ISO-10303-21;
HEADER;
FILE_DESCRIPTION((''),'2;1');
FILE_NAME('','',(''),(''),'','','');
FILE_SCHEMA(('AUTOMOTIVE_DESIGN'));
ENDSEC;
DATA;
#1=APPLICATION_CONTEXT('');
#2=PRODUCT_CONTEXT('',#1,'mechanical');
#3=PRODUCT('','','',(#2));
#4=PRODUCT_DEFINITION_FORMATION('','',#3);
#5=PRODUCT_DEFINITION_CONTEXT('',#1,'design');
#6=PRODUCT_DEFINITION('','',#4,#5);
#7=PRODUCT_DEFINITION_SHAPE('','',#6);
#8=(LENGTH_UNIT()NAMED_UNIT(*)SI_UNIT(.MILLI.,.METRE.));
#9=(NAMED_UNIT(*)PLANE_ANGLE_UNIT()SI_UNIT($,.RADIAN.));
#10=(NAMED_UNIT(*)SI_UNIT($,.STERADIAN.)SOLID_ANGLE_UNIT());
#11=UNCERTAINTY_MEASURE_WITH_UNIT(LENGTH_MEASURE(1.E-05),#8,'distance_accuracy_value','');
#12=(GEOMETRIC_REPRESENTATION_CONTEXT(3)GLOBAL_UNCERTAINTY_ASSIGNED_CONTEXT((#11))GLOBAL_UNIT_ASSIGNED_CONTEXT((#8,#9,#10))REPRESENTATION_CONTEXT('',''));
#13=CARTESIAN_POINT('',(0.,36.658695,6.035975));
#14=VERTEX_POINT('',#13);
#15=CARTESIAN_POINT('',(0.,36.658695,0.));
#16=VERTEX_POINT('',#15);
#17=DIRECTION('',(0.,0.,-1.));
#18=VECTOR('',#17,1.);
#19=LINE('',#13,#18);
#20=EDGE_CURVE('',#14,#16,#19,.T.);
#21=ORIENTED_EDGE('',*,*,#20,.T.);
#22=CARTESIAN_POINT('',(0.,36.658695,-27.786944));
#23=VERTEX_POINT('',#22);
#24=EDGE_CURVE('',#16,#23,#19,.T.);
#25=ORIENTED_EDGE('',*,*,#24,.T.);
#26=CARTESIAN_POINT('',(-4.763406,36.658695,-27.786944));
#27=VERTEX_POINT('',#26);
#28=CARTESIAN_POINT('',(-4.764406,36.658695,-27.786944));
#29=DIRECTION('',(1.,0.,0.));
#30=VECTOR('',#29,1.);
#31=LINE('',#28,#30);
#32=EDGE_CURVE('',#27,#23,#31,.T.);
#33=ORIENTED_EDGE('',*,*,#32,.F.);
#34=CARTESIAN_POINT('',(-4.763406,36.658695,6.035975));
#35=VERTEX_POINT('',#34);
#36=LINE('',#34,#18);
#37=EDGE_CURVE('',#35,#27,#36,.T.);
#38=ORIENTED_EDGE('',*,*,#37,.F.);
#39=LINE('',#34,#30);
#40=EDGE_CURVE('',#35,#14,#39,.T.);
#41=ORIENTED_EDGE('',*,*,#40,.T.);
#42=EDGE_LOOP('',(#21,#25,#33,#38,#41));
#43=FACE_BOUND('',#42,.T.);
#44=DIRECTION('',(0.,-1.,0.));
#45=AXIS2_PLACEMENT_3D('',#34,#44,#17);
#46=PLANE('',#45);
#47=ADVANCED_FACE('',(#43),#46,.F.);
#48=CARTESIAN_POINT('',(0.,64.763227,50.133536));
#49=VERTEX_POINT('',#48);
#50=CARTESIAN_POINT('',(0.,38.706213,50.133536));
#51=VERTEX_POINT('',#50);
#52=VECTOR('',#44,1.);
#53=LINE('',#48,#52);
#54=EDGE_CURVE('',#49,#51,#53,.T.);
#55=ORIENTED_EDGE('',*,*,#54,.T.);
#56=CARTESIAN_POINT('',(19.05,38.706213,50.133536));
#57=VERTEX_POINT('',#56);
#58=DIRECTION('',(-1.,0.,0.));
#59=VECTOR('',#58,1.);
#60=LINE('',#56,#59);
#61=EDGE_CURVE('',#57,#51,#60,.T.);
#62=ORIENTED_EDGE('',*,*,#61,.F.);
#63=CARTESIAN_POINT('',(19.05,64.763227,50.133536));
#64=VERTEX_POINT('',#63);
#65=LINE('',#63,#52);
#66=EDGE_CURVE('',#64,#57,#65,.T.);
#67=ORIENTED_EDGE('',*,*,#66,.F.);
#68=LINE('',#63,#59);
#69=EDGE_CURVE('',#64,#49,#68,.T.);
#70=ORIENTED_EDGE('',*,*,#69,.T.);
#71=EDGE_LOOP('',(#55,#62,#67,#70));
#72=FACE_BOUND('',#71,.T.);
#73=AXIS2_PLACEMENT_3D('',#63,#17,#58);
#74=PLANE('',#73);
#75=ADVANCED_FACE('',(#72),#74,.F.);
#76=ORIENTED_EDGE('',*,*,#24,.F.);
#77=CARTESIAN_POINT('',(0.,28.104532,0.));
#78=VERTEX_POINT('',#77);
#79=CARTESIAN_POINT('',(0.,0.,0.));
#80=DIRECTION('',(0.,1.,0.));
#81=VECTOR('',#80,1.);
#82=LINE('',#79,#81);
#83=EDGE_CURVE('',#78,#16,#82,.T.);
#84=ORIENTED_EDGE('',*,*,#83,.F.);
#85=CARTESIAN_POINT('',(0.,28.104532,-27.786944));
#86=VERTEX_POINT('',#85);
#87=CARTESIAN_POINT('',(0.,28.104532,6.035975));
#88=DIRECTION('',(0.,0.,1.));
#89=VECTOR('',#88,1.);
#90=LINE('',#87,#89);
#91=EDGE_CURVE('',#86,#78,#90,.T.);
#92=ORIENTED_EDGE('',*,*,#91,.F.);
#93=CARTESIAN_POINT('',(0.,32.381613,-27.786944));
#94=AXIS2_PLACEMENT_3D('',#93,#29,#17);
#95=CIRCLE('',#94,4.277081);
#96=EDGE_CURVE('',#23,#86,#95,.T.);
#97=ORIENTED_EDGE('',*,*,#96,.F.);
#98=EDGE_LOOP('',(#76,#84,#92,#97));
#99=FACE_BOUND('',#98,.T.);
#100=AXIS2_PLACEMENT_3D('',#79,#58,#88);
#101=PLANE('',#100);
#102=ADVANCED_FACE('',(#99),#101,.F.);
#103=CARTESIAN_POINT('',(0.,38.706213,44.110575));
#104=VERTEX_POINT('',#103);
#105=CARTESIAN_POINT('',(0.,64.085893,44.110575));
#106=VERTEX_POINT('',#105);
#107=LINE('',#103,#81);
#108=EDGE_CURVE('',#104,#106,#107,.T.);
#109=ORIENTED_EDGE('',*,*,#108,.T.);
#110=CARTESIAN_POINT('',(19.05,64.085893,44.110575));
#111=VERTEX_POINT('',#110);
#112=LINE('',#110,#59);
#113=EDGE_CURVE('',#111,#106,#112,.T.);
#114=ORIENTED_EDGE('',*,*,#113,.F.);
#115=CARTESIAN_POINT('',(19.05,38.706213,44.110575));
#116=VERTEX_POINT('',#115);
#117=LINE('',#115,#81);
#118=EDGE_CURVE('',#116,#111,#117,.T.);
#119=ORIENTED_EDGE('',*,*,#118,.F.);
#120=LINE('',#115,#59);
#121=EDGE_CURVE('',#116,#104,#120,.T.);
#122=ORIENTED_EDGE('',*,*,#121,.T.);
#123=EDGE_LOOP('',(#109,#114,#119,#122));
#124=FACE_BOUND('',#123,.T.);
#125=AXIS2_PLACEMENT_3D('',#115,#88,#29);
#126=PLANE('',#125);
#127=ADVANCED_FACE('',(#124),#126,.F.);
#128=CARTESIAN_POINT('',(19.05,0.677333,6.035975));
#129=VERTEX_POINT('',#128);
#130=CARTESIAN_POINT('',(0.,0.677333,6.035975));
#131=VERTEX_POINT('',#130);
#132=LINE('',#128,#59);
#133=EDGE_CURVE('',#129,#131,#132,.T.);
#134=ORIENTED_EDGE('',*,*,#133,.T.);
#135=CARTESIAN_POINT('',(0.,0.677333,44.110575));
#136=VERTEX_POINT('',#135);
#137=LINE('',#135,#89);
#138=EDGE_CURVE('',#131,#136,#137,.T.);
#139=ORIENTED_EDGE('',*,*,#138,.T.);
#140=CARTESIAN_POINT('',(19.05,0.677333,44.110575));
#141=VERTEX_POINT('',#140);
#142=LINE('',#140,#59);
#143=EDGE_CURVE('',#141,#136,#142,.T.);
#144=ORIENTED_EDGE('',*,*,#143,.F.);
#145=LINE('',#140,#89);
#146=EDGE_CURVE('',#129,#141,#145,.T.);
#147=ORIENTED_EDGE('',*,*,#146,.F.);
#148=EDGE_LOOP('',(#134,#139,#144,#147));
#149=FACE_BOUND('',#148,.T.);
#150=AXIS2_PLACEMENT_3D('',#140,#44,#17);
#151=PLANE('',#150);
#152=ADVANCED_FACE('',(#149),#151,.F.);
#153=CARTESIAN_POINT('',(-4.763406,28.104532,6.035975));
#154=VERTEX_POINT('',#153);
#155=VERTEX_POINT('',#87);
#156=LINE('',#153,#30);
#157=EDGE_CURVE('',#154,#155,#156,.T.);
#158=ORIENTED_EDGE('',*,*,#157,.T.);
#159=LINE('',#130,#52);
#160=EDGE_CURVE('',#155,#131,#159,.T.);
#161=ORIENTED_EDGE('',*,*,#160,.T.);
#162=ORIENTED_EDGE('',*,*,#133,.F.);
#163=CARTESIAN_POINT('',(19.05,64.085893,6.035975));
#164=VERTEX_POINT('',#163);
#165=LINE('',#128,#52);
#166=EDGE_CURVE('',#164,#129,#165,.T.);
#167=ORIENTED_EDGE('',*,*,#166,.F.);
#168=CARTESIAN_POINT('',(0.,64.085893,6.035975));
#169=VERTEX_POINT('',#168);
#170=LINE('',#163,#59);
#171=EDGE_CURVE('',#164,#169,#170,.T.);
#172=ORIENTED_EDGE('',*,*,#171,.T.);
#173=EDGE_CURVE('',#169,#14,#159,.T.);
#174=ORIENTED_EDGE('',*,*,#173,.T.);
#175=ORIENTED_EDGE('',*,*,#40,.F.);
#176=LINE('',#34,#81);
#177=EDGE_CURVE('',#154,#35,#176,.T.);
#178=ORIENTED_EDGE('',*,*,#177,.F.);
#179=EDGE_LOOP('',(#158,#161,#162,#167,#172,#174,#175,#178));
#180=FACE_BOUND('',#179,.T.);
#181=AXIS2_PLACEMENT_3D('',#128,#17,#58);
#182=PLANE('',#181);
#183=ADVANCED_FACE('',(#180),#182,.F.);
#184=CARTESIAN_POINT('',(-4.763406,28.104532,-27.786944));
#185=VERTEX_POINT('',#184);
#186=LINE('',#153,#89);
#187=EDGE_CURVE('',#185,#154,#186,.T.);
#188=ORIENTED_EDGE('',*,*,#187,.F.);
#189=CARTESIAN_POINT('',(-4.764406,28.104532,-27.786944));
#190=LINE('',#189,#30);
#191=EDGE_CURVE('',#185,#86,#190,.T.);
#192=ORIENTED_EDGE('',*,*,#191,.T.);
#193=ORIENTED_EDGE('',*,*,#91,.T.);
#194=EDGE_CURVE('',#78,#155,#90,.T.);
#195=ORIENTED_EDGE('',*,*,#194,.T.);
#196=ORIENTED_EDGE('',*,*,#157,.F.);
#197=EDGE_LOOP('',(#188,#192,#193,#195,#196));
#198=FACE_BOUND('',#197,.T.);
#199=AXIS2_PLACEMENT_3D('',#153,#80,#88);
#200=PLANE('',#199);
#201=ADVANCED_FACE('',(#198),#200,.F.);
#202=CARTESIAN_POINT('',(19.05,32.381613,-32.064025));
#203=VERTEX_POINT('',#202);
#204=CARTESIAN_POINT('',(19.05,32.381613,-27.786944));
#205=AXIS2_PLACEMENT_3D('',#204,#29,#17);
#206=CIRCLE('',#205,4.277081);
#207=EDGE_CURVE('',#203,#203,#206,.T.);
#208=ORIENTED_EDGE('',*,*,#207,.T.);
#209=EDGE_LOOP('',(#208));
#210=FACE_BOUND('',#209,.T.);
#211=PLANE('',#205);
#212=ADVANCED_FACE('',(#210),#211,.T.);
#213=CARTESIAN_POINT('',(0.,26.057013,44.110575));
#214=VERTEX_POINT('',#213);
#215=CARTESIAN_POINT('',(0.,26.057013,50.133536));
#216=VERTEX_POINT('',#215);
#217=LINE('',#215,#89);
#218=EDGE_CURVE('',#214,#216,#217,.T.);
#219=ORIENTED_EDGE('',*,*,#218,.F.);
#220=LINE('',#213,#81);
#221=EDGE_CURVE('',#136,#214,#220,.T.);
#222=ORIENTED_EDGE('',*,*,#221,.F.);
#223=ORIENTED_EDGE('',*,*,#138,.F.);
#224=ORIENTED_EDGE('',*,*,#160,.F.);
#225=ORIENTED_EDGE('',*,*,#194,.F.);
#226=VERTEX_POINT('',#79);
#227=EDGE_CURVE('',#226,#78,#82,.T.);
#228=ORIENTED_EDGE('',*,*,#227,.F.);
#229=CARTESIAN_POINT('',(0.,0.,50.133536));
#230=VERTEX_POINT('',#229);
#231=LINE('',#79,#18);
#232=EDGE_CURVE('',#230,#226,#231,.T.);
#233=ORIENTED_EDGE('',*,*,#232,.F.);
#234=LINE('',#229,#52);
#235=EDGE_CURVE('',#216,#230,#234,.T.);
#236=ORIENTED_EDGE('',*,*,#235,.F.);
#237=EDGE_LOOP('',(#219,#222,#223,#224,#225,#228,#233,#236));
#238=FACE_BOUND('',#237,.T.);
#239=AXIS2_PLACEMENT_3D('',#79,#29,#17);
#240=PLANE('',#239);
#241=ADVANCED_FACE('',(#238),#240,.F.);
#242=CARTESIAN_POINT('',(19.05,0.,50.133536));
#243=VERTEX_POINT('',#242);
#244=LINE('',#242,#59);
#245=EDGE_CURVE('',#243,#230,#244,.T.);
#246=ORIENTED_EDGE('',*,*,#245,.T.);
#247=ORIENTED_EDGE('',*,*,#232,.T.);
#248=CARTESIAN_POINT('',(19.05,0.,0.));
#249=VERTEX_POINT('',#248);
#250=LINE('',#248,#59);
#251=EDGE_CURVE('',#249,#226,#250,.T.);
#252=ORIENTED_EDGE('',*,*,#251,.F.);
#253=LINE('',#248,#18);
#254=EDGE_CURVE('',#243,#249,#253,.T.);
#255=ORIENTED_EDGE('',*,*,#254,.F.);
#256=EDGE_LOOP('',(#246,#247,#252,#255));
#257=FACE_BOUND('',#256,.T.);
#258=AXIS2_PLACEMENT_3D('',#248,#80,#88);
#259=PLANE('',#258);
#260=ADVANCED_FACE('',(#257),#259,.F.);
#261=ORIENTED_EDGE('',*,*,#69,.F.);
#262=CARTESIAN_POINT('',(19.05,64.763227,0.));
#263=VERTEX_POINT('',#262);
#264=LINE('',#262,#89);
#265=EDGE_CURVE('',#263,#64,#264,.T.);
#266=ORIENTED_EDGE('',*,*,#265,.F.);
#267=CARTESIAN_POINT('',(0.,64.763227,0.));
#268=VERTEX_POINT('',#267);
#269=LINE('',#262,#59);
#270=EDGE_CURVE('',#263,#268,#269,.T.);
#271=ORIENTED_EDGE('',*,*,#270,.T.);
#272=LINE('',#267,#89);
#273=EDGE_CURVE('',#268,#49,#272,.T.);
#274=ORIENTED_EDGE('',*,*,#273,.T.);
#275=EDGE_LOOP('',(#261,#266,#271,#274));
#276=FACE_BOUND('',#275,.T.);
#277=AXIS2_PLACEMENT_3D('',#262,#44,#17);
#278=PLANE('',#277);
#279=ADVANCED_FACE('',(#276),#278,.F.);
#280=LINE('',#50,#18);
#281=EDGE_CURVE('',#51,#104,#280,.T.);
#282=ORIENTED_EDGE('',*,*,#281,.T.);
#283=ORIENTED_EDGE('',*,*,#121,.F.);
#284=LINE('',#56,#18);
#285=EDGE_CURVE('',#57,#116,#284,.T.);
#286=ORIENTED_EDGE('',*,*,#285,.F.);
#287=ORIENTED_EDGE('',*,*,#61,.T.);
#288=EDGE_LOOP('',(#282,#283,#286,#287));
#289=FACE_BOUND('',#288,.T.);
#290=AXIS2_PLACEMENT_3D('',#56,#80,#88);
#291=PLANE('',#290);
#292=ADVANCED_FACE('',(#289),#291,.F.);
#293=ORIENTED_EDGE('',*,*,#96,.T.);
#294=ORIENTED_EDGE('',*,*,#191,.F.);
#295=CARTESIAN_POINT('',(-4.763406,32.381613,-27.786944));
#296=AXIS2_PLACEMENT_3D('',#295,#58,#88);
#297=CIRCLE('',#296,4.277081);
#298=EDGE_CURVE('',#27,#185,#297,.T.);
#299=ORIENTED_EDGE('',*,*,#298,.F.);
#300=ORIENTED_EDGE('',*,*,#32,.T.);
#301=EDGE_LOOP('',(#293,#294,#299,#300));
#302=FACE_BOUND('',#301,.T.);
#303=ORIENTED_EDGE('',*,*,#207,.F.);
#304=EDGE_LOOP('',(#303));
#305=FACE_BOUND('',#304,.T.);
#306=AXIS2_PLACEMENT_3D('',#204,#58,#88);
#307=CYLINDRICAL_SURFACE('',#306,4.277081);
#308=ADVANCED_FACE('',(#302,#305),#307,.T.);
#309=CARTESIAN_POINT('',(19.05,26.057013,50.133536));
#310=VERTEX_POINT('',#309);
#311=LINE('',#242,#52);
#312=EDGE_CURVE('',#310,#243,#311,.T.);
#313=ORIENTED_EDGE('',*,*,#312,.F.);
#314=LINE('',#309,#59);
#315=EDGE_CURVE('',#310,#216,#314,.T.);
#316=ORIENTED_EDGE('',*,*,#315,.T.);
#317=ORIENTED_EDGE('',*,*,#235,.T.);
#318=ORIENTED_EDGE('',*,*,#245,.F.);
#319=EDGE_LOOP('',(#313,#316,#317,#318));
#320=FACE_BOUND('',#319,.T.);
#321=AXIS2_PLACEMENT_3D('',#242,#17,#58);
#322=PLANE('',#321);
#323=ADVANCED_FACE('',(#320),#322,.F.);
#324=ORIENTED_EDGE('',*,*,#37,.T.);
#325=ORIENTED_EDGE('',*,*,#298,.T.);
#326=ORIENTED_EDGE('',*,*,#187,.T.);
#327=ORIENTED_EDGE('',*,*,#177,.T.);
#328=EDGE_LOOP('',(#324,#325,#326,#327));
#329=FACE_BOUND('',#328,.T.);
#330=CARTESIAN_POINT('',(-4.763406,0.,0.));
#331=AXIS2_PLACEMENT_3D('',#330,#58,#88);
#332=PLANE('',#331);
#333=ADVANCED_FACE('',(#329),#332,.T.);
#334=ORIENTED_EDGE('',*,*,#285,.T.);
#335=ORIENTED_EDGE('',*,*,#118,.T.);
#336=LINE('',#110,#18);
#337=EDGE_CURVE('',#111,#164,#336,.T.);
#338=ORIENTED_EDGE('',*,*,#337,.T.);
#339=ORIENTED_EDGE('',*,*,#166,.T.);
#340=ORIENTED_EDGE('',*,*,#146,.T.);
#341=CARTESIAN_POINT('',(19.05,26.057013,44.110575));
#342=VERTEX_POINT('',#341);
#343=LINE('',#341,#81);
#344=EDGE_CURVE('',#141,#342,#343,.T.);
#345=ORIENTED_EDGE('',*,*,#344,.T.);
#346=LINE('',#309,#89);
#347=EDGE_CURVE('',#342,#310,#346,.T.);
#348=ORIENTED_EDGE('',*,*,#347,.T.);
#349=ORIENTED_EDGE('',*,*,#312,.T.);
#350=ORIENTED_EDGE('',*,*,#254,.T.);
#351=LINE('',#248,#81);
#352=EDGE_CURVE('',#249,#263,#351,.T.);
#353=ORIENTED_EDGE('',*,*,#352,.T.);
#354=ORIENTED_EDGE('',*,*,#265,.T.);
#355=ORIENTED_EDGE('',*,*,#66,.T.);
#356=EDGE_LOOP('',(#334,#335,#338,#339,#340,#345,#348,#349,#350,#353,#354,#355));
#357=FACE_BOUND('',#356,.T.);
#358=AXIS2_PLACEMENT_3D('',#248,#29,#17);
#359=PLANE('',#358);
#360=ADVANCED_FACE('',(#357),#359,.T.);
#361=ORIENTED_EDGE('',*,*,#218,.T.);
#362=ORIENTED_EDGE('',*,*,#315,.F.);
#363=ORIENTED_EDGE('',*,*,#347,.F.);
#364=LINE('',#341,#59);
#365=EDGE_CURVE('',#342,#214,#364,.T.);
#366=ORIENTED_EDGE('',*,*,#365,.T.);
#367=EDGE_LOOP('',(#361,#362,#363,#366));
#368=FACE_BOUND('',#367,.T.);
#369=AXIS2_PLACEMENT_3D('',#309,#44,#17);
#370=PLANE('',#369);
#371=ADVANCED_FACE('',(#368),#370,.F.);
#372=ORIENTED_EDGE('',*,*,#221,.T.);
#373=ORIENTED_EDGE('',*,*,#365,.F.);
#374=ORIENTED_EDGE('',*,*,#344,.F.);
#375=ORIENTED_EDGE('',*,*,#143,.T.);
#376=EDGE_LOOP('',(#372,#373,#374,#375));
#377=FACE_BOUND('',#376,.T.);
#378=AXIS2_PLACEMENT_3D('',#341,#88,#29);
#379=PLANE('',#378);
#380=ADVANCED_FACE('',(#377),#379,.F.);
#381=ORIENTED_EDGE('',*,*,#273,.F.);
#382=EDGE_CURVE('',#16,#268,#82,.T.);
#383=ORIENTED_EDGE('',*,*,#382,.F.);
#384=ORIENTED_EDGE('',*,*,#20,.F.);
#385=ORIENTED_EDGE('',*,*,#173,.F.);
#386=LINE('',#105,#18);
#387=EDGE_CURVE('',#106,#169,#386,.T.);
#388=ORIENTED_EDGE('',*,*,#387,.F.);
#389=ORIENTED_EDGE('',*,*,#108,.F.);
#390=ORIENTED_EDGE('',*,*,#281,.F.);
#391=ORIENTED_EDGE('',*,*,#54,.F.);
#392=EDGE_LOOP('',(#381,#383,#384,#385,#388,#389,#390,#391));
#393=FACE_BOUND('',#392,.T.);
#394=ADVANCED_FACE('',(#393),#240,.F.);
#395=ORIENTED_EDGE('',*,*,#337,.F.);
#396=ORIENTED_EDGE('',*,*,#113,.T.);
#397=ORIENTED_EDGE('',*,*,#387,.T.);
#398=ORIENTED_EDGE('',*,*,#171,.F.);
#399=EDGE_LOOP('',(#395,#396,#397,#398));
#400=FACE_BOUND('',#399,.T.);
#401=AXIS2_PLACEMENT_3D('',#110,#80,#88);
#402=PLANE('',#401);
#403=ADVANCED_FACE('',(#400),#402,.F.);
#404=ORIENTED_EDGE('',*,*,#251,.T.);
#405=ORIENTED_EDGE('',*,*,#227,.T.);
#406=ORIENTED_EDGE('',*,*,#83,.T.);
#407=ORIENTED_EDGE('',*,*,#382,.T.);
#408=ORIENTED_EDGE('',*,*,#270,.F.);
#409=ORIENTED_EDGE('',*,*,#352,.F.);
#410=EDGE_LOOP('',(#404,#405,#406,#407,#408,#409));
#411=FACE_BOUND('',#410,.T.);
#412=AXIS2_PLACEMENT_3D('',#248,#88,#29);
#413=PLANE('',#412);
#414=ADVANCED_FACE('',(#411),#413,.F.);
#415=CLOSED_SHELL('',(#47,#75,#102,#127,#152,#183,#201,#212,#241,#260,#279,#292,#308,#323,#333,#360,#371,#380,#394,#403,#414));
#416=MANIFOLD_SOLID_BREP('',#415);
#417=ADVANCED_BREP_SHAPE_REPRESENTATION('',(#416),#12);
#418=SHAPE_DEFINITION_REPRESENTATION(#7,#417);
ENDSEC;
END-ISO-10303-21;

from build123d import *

# Parameters (mm, degrees)
BOSS_EXTRUDE1_DEPTH = 19.05
SKETCH2_W           = 8.554162714
SKETCH2_H           = 38.1
BOSS_EXTRUDE2_DEPTH = 4.763405733
SKETCH3_R           = 4.277081357
BOSS_EXTRUDE3_DEPTH = 19.05
CUT_EXTRUDE1_REACH  = 86.087
CUT_EXTRUDE2_REACH  = 86.087


with BuildPart() as part:
    # Sketch1 → Boss-Extrude1 (new body)
    with BuildSketch(Plane.YZ):
        Polygon((0, 0), (0, 50.133536148), (26.05701333, 50.133536148), (26.05701333, 44.11057508), (0.67733333, 44.11057508), (0.67733333, 6.03597508), (64.08589333, 6.03597508), (64.08589333, 44.11057508), (38.70621333, 44.11057508), (38.70621333, 50.133536148), (64.76322666, 50.133536148), (64.76322666, 0), align=None)
    extrude(amount=BOSS_EXTRUDE1_DEPTH)

    # Sketch2 → Boss-Extrude2 (add)
    with BuildSketch(Plane(origin=(0, 0, 0), x_dir=(0, -1, 0), z_dir=(-1, 0, 0))):
        with Locations((-32.38161333, -13.01402492)):
            Rectangle(SKETCH2_W, SKETCH2_H)
    extrude(amount=BOSS_EXTRUDE2_DEPTH)

    # Sketch3 → Boss-Extrude3 (add)
    with BuildSketch(Plane.YZ):
        with Locations(Location((32.38161333, -27.786943563, 0), (0, 0, 270))):
            Circle(SKETCH3_R)
    extrude(amount=BOSS_EXTRUDE3_DEPTH)

    # Sketch5 → Cut-Extrude1 (cut, up to next)
    with BuildSketch(Plane.YZ, mode=Mode.PRIVATE) as cut_extrude1_sk1:
        with BuildLine():
            Line((32.38161333, -32.06402492), (36.658694687, -32.06402492))
            Line((36.658694687, -32.06402492), (36.658694687, -27.786943563))
            ThreePointArc((36.658694687, -27.786943563), (35.405966561, -30.811296794), (32.38161333, -32.06402492))
        make_face()
    cut_extrude1_tool1 = extrude(cut_extrude1_sk1.sketch, amount=-CUT_EXTRUDE1_REACH, mode=Mode.PRIVATE) & part.part
    add(cut_extrude1_tool1.solids().sort_by_distance((0, 35.703332, -31.108662))[0], mode=Mode.SUBTRACT)

    # Sketch6 → Cut-Extrude2 (cut, up to next)
    with BuildSketch(Plane.YZ, mode=Mode.PRIVATE) as cut_extrude2_sk1:
        with BuildLine():
            Line((28.104531973, -27.786943563), (28.104531973, -32.06402492))
            Line((28.104531973, -32.06402492), (32.38161333, -32.06402492))
            ThreePointArc((32.38161333, -32.06402492), (29.357260099, -30.811296794), (28.104531973, -27.786943563))
        make_face()
    cut_extrude2_tool1 = extrude(cut_extrude2_sk1.sketch, amount=-CUT_EXTRUDE2_REACH, mode=Mode.PRIVATE) & part.part
    add(cut_extrude2_tool1.solids().sort_by_distance((0, 29.059895, -31.108662))[0], mode=Mode.SUBTRACT)


solid = part.part
